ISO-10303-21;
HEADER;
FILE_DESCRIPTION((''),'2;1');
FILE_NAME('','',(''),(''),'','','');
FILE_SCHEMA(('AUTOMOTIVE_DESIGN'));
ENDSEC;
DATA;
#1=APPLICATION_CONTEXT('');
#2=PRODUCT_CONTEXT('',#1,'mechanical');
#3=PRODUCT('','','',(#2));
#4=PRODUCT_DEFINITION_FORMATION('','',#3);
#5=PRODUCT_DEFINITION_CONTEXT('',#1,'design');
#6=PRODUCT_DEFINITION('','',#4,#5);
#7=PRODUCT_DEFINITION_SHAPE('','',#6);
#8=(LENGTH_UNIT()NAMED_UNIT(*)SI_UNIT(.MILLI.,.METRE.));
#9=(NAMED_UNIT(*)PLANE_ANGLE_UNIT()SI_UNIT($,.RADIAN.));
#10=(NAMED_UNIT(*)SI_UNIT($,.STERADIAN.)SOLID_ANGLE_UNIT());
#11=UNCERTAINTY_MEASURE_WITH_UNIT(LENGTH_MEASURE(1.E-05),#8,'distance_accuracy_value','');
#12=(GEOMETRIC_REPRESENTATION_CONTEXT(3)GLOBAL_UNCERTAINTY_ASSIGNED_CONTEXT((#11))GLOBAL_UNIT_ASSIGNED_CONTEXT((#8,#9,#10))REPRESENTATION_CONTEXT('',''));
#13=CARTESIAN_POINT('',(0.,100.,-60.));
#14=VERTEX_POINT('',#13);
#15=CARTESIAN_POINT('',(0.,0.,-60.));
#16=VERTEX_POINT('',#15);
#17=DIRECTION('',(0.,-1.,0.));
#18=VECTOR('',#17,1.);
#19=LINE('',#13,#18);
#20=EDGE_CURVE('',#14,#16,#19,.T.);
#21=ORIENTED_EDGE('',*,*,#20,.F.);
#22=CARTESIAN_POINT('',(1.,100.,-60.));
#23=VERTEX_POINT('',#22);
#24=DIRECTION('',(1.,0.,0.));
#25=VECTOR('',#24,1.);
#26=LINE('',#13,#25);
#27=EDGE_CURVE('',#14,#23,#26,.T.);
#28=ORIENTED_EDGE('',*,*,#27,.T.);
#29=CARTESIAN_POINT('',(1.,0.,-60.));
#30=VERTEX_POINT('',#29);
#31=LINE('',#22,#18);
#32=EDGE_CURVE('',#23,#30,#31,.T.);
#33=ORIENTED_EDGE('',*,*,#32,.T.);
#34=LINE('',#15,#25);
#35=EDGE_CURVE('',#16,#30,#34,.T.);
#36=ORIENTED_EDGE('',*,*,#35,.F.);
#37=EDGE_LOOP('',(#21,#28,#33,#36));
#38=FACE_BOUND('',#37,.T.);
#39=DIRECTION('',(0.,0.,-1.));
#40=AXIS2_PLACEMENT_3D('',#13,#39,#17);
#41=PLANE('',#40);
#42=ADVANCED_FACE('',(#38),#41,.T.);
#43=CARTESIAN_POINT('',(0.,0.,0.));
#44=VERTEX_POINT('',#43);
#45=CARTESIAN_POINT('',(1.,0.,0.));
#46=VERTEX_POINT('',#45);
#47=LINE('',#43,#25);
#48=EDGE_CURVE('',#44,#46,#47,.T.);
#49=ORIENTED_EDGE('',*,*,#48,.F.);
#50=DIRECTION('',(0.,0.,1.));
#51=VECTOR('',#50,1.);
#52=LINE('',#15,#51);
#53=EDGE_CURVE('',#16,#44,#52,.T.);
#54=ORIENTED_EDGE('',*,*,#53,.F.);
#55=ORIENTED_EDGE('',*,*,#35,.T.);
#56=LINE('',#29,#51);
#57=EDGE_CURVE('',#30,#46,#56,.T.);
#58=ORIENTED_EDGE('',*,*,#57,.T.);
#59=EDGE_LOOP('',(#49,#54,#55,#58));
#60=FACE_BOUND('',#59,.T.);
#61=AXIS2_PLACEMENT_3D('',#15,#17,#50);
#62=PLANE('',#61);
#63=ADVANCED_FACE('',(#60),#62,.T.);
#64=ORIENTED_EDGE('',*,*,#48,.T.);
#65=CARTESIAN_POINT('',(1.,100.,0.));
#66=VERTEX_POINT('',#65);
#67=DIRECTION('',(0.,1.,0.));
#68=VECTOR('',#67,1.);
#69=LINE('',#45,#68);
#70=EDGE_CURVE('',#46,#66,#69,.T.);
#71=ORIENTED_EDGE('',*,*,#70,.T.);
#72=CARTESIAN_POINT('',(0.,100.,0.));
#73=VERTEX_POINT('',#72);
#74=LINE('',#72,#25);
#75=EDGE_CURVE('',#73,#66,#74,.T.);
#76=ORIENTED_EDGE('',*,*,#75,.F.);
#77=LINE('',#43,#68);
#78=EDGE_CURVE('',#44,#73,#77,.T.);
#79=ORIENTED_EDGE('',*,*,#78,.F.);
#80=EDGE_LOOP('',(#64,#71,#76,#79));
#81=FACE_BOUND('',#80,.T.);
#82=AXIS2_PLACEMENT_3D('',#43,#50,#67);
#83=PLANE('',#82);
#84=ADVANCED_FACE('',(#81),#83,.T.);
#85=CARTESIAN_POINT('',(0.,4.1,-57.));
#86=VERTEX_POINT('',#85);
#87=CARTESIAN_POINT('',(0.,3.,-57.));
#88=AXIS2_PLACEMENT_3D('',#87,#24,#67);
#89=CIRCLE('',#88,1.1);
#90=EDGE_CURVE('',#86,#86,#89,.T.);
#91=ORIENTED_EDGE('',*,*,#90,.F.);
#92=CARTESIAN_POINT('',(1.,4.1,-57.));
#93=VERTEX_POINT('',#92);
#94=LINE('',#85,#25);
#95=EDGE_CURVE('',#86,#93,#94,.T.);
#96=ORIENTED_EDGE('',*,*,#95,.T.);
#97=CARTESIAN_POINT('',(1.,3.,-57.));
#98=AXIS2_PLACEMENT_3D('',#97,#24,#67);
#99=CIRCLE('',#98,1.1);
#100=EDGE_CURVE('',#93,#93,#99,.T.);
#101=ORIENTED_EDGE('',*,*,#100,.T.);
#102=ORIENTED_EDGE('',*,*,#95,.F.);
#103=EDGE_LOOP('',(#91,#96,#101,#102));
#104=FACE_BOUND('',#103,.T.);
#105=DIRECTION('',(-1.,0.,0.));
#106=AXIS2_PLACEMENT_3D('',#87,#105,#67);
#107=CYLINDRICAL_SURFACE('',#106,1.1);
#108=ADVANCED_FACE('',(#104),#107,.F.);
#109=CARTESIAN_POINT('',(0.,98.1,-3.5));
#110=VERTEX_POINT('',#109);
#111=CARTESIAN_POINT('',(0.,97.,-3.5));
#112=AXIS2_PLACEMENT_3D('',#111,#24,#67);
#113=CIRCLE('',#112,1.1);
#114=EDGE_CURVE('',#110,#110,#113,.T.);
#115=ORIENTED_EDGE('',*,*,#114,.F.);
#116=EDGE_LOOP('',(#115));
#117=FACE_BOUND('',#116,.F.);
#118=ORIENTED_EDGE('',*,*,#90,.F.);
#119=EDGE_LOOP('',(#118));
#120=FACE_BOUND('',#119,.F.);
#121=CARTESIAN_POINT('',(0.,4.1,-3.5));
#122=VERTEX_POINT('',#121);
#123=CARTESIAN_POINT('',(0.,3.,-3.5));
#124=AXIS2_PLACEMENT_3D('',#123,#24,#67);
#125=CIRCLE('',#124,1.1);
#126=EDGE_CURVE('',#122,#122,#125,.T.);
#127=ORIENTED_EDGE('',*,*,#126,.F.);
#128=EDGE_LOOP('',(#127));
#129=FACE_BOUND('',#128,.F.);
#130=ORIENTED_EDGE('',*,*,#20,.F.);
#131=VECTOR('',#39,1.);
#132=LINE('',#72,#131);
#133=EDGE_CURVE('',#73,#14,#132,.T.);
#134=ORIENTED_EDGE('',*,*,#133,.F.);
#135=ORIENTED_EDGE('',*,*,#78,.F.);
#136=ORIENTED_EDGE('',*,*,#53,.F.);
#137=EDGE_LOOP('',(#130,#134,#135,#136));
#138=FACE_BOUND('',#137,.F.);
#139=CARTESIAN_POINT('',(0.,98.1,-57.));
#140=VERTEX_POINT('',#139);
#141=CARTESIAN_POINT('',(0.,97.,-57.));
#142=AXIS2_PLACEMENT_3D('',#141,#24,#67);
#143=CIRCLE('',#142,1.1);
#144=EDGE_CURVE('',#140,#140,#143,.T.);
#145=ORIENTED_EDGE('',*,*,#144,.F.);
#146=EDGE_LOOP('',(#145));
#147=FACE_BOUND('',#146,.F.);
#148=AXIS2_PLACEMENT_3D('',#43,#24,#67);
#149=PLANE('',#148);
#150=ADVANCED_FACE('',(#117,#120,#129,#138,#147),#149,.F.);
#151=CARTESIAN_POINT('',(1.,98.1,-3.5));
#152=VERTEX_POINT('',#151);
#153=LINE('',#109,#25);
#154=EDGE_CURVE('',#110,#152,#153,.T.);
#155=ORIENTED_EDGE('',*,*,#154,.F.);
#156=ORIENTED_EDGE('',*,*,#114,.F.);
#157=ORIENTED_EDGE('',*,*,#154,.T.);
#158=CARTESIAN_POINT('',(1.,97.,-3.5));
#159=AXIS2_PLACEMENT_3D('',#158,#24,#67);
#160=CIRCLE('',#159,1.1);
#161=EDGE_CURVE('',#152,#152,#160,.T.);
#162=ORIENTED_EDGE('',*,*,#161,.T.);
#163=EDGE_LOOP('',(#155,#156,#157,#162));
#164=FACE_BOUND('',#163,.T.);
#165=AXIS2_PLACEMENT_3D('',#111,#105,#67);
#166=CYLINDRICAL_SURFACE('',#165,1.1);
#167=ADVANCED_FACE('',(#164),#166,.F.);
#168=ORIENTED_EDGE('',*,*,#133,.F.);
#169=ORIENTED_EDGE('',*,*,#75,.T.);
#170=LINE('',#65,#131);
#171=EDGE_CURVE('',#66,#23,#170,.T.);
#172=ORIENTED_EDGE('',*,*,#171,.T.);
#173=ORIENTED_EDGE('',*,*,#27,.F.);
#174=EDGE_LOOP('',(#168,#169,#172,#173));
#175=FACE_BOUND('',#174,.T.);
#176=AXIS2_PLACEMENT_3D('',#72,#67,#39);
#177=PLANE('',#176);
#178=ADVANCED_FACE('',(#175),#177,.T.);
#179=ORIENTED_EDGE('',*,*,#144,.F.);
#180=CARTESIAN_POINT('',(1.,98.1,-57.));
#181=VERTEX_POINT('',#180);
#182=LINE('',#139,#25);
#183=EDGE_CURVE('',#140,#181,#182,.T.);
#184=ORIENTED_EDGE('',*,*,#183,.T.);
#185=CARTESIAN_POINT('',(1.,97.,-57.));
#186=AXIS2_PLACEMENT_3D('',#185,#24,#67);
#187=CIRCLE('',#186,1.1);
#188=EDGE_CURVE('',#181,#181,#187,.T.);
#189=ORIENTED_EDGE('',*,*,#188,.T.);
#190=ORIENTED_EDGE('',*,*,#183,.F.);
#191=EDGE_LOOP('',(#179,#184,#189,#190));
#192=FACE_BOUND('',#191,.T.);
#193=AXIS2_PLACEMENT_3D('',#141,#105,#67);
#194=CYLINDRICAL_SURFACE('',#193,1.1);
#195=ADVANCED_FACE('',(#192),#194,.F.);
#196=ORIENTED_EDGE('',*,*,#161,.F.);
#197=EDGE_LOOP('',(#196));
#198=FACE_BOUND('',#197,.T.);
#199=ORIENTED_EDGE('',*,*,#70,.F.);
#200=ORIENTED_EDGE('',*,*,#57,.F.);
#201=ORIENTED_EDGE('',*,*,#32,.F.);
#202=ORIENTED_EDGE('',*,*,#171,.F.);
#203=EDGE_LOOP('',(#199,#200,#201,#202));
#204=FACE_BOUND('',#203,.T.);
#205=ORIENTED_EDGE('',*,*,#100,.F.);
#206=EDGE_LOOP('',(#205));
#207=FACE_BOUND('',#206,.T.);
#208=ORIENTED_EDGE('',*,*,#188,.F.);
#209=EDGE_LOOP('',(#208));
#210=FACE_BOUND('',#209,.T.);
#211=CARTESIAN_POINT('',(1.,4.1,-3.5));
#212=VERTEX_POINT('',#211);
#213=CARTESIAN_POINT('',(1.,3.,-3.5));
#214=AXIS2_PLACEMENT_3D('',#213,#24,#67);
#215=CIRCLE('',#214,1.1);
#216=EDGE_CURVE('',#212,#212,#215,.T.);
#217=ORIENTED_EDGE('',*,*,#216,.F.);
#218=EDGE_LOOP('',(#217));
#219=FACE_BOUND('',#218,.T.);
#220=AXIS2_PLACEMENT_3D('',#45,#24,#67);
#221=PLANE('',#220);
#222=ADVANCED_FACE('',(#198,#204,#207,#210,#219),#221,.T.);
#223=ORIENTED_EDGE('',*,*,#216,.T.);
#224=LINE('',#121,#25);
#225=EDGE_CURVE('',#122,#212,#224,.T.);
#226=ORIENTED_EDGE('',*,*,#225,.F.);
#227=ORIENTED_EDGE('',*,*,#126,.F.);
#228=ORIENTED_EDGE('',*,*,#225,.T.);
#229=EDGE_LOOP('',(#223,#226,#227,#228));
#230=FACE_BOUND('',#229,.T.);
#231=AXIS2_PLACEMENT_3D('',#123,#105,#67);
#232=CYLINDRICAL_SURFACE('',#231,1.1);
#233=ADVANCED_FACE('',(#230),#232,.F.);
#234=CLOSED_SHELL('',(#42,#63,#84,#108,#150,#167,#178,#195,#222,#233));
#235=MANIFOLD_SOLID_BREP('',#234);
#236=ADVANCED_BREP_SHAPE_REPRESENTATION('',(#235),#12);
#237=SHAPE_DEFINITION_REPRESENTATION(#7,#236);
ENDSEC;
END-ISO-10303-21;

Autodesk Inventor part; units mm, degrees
ref_plane "YZ Plane" through (0, 0, 0) normal (1, 0, 0) x (0, 1, 0)
ref_plane "XZ Plane" through (0, 0, 0) normal (0, 1, 0) x (-1, 0, 0)
ref_plane "XY Plane" through (0, 0, 0) normal (0, 0, 1) x (1, 0, 0)
sketch "Sketch1" plane through (0, 0, 0) normal (1, 0, 0) x (0, 1, 0)
  line L0 (0, 0) -> (100, 0)
  line L1 (100, 0) -> (100, -60)
  line L2 (100, -60) -> (0, -60)
  line L3 (0, -60) -> (0, 0)
  circle A0 centre (97, -57) radius 1.1
  circle A1 centre (97, -3.5) radius 1.1
  circle A2 centre (3, -3.5) radius 1.1
  circle A3 centre (3, -57) radius 1.1
  dimension "d0" = 100
  dimension "d1" = 60
  dimension "d2" = 2.2
  dimension "d3" = 2.2
  dimension "d4" = 3.5
  dimension "d5" = 3
  dimension "d6" = 3
  dimension "d7" = 3
  dimension "d8" = 3
extrude "Extrusion1" add sketch "Sketch1" along normal blind 1
equation "\"d3\" = d2"
properties part number "pcb"
